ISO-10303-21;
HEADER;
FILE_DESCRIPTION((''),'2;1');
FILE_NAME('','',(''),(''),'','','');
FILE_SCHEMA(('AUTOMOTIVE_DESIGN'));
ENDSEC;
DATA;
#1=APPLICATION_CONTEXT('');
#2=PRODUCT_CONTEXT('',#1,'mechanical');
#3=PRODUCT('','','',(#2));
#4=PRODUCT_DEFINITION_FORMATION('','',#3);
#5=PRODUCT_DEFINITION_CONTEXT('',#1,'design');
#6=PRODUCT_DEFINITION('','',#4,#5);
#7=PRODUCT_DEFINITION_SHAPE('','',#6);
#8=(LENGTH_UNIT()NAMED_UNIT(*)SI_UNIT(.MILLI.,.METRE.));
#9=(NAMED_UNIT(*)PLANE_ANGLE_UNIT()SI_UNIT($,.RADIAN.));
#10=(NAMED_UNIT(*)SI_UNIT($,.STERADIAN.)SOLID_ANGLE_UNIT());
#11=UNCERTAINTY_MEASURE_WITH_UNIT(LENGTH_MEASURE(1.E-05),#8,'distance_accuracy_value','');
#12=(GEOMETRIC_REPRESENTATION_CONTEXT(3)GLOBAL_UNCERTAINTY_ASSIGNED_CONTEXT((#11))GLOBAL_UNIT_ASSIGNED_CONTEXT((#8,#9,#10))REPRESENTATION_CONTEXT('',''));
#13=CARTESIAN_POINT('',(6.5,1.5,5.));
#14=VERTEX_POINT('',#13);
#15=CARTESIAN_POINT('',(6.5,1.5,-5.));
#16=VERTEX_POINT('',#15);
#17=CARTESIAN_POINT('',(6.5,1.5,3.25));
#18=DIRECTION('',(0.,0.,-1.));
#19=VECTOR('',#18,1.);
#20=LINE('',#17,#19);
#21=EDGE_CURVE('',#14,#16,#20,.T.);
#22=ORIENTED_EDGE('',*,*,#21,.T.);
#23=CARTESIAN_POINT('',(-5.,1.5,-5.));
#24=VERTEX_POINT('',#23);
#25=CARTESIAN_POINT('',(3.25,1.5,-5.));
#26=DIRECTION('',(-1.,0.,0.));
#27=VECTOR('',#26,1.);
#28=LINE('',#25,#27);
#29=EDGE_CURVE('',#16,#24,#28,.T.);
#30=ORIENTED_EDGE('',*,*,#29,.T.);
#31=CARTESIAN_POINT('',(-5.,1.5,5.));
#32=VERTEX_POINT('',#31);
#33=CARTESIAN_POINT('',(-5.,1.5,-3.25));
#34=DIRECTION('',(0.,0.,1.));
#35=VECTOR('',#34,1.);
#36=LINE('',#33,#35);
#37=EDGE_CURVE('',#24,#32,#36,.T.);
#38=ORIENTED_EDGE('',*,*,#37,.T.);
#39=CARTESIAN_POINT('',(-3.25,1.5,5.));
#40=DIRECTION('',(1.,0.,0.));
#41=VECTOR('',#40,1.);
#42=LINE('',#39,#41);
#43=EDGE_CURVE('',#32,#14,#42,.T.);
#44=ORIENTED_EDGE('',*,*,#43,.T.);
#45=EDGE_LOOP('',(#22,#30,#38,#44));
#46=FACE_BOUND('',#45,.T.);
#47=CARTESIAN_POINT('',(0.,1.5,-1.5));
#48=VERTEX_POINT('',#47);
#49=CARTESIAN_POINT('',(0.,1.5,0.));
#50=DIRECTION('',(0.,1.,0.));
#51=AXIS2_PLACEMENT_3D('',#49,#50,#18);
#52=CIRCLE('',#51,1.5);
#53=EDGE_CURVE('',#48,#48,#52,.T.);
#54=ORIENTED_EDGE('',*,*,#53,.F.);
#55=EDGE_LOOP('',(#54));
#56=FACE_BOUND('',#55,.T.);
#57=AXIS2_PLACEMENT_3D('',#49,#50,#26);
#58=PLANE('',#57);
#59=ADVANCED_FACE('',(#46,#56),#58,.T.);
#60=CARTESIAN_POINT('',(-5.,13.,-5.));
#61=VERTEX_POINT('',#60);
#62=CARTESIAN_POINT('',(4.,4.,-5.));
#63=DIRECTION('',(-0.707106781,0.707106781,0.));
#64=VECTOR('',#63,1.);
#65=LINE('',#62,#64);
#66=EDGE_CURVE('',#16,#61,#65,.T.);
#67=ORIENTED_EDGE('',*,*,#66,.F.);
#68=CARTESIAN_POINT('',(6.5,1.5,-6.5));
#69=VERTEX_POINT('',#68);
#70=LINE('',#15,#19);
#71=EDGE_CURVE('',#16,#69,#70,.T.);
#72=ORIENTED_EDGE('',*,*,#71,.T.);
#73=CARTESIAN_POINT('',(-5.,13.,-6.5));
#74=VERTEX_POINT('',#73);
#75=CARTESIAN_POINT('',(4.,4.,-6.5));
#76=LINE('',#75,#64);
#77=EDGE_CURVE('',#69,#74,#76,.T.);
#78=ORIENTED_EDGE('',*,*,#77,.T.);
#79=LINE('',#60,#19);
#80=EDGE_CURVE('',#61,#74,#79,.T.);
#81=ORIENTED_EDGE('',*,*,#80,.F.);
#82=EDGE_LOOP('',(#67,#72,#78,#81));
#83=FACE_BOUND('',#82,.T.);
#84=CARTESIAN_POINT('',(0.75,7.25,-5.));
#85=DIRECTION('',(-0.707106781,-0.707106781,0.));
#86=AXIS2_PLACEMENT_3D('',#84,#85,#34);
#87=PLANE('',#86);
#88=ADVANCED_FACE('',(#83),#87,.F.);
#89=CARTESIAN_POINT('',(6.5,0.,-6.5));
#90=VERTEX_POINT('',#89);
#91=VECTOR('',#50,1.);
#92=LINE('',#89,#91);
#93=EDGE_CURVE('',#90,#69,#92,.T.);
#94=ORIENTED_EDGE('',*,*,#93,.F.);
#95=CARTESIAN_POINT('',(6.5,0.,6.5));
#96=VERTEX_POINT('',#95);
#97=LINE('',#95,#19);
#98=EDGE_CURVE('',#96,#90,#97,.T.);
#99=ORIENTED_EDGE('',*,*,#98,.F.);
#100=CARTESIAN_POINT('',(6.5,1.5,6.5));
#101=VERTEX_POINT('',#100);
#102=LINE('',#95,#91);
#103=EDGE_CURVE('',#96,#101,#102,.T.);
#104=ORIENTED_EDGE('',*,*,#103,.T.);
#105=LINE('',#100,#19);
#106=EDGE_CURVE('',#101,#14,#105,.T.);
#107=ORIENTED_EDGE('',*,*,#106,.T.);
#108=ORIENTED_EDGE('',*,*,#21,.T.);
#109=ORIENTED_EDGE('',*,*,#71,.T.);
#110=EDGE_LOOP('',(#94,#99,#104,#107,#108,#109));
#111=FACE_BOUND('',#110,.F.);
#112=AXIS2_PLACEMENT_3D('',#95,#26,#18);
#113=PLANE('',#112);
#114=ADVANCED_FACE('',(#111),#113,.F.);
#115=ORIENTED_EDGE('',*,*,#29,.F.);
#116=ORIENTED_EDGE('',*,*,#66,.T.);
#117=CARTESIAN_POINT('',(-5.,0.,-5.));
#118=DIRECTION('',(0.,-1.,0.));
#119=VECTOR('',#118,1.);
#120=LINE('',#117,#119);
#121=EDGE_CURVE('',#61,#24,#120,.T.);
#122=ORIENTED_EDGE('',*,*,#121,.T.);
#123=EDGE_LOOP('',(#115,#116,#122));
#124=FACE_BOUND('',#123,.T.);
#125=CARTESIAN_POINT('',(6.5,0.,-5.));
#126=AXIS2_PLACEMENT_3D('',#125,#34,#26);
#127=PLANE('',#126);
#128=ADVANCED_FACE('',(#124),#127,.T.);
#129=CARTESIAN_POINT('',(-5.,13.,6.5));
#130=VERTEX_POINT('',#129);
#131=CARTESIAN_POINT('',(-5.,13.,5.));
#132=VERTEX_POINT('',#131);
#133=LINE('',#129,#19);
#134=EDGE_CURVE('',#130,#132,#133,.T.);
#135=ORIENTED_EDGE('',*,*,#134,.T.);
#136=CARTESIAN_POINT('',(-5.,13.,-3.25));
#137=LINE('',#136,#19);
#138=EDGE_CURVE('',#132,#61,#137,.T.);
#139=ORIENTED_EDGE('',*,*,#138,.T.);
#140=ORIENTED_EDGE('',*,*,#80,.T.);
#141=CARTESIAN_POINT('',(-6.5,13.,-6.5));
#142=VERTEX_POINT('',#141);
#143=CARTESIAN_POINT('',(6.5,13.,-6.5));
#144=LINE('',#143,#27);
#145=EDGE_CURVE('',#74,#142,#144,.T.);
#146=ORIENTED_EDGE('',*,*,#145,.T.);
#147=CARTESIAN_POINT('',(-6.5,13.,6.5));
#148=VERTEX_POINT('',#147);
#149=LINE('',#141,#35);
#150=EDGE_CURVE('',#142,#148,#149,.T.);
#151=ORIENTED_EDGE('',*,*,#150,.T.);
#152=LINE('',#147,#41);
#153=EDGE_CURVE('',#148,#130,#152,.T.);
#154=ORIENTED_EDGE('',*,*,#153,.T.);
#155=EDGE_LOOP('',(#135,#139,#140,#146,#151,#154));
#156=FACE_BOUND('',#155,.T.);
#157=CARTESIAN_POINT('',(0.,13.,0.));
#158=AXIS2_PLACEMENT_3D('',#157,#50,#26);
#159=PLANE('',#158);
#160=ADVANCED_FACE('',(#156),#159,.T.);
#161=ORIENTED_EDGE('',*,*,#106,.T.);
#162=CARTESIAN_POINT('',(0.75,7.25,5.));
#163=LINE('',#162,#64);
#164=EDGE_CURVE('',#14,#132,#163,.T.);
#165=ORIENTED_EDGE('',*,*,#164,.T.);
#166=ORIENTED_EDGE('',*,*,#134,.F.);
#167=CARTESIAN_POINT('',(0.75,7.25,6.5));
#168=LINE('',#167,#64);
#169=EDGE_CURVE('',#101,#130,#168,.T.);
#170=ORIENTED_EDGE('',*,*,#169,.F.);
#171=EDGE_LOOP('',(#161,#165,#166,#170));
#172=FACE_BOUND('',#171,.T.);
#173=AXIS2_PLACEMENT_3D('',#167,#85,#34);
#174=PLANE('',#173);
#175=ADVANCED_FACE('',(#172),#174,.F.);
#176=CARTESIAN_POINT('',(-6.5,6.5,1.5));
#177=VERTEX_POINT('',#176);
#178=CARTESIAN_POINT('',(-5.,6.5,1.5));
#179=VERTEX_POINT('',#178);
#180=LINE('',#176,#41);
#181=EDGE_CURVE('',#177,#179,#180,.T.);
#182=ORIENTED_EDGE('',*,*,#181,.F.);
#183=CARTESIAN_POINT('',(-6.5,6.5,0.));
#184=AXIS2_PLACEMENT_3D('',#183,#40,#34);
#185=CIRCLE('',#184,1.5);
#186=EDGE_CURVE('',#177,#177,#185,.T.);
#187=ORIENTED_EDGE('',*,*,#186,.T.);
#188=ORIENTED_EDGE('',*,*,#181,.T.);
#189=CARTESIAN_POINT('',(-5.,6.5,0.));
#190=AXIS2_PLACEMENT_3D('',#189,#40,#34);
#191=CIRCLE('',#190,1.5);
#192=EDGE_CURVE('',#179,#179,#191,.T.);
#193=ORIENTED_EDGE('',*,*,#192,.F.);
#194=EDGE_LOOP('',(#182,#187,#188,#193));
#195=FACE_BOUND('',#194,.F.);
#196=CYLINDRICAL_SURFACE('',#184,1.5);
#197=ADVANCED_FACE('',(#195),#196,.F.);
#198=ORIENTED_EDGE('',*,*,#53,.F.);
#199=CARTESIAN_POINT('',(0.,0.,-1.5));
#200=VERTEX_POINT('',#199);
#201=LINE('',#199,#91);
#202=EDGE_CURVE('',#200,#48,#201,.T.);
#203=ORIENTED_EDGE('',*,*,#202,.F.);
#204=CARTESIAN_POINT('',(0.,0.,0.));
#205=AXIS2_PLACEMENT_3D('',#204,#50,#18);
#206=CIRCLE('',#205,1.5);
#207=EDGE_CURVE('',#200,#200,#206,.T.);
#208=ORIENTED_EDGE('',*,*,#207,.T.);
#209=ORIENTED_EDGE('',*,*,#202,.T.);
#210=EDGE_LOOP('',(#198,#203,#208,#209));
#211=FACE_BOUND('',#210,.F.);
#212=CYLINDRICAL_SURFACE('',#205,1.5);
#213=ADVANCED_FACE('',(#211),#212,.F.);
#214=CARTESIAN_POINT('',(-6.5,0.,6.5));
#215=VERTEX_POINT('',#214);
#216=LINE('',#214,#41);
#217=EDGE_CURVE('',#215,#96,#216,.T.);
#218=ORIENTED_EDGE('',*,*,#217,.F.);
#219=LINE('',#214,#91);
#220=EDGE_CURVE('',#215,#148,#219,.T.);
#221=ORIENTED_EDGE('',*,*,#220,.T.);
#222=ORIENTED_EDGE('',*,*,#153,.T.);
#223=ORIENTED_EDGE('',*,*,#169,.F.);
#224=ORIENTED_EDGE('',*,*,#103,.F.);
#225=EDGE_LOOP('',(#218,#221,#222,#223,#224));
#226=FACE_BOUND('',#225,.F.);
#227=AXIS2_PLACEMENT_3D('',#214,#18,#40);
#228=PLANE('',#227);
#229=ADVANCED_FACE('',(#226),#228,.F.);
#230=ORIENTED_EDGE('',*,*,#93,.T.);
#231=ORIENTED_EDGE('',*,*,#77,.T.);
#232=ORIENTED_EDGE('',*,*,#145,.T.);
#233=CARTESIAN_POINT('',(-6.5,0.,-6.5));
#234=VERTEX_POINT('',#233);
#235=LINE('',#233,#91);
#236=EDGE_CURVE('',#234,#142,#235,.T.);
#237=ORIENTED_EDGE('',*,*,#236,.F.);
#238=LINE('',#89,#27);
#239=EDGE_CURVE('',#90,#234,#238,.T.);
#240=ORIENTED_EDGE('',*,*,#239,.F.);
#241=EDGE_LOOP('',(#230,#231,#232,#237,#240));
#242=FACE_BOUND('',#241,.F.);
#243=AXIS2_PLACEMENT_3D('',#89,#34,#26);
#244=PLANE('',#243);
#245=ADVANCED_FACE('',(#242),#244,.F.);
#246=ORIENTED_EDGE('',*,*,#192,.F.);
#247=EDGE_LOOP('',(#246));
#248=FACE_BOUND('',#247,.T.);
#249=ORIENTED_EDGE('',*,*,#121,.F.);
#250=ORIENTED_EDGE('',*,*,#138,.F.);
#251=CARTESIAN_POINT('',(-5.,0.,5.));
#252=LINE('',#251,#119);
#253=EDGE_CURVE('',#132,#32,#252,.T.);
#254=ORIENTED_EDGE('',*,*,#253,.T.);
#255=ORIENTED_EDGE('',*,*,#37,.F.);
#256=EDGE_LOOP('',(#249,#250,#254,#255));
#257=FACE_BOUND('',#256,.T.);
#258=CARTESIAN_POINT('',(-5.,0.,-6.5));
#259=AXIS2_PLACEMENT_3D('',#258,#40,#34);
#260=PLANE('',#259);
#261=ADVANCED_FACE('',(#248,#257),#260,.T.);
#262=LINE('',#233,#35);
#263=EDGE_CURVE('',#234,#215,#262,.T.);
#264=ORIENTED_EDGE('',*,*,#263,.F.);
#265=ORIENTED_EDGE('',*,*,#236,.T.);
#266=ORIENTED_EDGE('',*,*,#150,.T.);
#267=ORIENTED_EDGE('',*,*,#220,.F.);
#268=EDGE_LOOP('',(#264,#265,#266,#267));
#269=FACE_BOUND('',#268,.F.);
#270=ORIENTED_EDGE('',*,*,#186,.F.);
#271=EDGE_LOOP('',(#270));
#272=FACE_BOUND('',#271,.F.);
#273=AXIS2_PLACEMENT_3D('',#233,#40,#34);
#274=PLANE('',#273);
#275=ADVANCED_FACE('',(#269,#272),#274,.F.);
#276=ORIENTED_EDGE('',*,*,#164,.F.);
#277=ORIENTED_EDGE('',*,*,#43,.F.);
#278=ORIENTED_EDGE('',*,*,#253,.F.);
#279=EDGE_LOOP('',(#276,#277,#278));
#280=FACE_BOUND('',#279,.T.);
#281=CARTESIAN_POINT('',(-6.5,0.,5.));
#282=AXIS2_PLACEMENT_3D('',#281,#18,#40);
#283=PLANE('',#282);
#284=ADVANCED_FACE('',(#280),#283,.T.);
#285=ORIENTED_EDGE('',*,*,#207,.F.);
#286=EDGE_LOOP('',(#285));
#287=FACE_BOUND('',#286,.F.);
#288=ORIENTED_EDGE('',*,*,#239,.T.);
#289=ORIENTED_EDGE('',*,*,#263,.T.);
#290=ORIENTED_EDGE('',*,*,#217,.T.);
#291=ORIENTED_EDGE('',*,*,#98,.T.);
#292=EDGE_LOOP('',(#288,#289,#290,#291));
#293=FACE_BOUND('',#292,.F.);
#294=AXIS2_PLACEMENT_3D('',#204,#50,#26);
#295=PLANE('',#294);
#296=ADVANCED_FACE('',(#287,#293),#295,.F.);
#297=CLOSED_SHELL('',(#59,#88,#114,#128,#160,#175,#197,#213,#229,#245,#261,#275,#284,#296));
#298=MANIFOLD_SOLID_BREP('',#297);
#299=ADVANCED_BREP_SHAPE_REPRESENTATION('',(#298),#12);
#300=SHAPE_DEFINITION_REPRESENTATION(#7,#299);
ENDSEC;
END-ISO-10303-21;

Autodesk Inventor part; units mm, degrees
ref_plane "YZ Plane" through (0, 0, 0) normal (1, 0, 0) x (0, 1, 0)
ref_plane "XZ Plane" through (0, 0, 0) normal (0, 1, 0) x (-1, 0, 0)
ref_plane "XY Plane" through (0, 0, 0) normal (0, 0, 1) x (1, 0, 0)
sketch "Boceto1" plane through (0, 0, 0) normal (0, 1, 0) x (-1, 0, 0)
  line L0 (-6.5, -6.5) -> (6.5, -6.5)
  line L1 (6.5, -6.5) -> (6.5, 6.5)
  line L2 (6.5, 6.5) -> (-6.5, 6.5)
  line L3 (-6.5, 6.5) -> (-6.5, -6.5)
  line L4 (-6.5, -6.5) -> (6.5, 6.5) construction
  line L5 (6.5, -6.5) -> (-6.5, 6.5) construction
  point P0 (0, 0)
  dimension "d0" = 13
  dimension "d1" = 13
extrude "Extrusión1" add sketch "Boceto1" along normal blind 13
shell "Vaciado1" thickness 1.5 removed faces 2 at (6.5, 4.3333, 2.1667) at (-2.1667, 13, -2.1667)
chamfer "Chaflán1" distance 11.5 angle 45 2 edges at (6.5, 13, 5.75) (6.5, 13, -5.75)
sketch "Boceto2" plane through (0, 0, 0) normal (0, -1, 0) x (1, 0, 0)
  line L0 (-6.5, 6.5) -> (6.5, 6.5) projected
  line L1 (-6.5, -6.5) -> (-6.5, 6.5) projected
  point P0 (0, 0)
  point P1 (0, 0)
  dimension "d8" = 6.5
  dimension "d9" = 6.5
hole "Agujero1" at (0, 0, 0) direction (0, 1, 0) diameter 3 depth 3 tip angle 118
sketch "Boceto3" plane through (-6.5, 0, -6.5) normal (-1, 0, 0) x (0, 0, 1)
  line L0 (0, 0) -> (13, 0) projected
  line L1 (13, 0) -> (13, 13) projected
  point P0 (6.5, 0)
  point P1 (6.5, 6.5)
  dimension "d17" = 6.5
  dimension "d18" = 6.5
hole "Agujero2" at (-6.5, 6.5, 0) direction (1, 0, 0) diameter 3 depth 3 tip angle 118
properties part number "Escuadra"
